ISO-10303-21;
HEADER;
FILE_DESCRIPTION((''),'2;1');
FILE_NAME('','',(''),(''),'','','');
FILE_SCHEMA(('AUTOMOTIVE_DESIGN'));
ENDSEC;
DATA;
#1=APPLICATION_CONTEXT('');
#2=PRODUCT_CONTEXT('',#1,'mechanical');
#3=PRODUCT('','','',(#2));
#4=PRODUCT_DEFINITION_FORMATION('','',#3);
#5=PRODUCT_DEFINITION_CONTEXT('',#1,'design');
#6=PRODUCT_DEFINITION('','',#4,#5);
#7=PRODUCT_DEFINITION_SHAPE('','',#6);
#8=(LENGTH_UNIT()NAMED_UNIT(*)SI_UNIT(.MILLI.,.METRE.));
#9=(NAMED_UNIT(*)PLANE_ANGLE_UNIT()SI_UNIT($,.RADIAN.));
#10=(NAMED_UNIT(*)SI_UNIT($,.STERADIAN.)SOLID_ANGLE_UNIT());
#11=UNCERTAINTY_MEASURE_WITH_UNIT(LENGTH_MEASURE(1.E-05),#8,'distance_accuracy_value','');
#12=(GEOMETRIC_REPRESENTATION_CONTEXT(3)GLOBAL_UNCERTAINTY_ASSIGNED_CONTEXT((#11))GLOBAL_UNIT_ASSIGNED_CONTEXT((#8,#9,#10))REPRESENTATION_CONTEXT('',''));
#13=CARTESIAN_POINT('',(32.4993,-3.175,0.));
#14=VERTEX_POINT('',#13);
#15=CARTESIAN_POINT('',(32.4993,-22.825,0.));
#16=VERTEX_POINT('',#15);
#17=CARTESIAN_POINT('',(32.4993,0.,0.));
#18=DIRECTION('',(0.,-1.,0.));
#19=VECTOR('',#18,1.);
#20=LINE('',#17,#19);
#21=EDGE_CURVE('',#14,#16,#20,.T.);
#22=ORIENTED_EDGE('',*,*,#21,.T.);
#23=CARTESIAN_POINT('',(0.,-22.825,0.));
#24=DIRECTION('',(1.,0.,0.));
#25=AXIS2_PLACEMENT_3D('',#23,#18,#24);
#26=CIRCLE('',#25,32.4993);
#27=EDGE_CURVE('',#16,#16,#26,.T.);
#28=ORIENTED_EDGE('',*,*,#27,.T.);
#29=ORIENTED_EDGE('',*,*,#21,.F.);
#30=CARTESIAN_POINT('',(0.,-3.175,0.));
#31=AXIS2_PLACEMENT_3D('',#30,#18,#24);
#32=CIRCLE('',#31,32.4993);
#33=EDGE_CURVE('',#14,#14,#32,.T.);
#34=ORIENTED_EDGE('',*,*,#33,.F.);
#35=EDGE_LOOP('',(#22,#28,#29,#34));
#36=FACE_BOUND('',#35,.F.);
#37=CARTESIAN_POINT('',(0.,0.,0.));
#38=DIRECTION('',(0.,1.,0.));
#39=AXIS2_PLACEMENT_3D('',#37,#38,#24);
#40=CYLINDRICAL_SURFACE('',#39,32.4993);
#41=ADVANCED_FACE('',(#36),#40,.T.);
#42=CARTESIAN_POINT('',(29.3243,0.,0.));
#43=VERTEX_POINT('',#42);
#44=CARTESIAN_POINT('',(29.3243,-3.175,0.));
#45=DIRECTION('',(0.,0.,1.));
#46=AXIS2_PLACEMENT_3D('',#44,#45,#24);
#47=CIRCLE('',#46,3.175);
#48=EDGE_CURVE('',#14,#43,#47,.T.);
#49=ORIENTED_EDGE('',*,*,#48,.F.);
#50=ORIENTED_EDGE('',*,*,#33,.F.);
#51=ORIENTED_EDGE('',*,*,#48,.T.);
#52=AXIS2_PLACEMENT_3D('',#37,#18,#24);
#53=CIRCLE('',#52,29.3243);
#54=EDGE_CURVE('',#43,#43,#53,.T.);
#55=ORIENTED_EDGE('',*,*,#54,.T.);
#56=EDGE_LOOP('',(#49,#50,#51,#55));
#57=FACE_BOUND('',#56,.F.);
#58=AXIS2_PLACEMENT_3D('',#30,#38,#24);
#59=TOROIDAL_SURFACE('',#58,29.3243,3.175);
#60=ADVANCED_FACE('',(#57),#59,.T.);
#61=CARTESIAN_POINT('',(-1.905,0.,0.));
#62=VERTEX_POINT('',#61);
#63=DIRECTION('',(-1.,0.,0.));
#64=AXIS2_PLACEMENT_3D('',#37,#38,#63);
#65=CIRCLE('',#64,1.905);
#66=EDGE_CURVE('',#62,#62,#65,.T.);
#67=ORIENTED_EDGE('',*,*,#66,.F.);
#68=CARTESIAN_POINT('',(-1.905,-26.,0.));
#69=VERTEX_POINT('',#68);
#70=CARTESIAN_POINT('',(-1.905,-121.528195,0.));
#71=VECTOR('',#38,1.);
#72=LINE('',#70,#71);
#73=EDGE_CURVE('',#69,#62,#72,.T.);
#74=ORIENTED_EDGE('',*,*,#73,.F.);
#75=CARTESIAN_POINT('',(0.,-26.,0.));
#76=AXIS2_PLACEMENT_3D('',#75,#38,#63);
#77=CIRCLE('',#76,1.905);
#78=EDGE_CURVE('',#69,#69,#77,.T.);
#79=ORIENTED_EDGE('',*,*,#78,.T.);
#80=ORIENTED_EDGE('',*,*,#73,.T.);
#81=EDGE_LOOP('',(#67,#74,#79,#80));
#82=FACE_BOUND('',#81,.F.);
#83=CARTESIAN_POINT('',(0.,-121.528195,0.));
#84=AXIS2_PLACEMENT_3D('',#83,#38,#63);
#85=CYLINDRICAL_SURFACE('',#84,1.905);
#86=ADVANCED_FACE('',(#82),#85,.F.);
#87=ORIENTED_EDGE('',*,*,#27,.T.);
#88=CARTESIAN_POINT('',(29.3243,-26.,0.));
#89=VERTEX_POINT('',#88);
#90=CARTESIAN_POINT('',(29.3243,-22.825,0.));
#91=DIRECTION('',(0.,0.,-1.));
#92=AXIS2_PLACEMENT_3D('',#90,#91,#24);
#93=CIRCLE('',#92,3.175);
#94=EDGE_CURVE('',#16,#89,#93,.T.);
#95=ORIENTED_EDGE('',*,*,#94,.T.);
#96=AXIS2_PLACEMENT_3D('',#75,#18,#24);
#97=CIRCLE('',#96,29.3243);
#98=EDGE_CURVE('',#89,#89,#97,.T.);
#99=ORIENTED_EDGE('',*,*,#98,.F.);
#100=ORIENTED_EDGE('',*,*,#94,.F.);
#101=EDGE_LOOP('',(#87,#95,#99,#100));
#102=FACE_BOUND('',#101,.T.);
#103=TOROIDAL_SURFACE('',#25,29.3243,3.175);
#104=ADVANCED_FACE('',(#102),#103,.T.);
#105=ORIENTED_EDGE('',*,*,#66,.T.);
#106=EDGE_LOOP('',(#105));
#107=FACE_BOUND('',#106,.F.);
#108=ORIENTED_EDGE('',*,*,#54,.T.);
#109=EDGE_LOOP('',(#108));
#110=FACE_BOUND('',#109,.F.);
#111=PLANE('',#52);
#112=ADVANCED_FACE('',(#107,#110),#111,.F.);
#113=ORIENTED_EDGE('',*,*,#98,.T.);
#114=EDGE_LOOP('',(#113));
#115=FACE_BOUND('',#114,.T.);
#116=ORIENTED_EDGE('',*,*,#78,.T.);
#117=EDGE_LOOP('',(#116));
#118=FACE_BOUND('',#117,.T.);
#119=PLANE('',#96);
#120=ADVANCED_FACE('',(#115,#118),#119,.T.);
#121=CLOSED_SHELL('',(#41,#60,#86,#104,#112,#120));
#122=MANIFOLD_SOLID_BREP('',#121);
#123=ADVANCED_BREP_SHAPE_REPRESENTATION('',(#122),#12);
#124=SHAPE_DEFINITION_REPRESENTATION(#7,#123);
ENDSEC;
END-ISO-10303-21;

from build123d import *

# Parameters (mm, degrees)
F0_R     = 32.4993
F1_DEPTH = 26
F2_R     = 3.175
F4_D     = 3.81


with BuildPart() as f1:
    # F0 (on Front) → F1 (new body)
    with BuildSketch(Plane.XZ):
        Circle(F0_R)
    extrude(amount=F1_DEPTH)

    # F2
    f2_edges = [f1.edges().sort_by_distance(p)[0] for p in [
        (-32.4993, -26, 0),
        (-32.4993, 0, 0),
    ]]
    fillet(f2_edges, radius=F2_R)

    # F4 (through all)
    with Locations(Plane.XZ.offset(26)):
        with Locations((0, 0)):
            Hole(F4_D / 2)


solid = f1.part
